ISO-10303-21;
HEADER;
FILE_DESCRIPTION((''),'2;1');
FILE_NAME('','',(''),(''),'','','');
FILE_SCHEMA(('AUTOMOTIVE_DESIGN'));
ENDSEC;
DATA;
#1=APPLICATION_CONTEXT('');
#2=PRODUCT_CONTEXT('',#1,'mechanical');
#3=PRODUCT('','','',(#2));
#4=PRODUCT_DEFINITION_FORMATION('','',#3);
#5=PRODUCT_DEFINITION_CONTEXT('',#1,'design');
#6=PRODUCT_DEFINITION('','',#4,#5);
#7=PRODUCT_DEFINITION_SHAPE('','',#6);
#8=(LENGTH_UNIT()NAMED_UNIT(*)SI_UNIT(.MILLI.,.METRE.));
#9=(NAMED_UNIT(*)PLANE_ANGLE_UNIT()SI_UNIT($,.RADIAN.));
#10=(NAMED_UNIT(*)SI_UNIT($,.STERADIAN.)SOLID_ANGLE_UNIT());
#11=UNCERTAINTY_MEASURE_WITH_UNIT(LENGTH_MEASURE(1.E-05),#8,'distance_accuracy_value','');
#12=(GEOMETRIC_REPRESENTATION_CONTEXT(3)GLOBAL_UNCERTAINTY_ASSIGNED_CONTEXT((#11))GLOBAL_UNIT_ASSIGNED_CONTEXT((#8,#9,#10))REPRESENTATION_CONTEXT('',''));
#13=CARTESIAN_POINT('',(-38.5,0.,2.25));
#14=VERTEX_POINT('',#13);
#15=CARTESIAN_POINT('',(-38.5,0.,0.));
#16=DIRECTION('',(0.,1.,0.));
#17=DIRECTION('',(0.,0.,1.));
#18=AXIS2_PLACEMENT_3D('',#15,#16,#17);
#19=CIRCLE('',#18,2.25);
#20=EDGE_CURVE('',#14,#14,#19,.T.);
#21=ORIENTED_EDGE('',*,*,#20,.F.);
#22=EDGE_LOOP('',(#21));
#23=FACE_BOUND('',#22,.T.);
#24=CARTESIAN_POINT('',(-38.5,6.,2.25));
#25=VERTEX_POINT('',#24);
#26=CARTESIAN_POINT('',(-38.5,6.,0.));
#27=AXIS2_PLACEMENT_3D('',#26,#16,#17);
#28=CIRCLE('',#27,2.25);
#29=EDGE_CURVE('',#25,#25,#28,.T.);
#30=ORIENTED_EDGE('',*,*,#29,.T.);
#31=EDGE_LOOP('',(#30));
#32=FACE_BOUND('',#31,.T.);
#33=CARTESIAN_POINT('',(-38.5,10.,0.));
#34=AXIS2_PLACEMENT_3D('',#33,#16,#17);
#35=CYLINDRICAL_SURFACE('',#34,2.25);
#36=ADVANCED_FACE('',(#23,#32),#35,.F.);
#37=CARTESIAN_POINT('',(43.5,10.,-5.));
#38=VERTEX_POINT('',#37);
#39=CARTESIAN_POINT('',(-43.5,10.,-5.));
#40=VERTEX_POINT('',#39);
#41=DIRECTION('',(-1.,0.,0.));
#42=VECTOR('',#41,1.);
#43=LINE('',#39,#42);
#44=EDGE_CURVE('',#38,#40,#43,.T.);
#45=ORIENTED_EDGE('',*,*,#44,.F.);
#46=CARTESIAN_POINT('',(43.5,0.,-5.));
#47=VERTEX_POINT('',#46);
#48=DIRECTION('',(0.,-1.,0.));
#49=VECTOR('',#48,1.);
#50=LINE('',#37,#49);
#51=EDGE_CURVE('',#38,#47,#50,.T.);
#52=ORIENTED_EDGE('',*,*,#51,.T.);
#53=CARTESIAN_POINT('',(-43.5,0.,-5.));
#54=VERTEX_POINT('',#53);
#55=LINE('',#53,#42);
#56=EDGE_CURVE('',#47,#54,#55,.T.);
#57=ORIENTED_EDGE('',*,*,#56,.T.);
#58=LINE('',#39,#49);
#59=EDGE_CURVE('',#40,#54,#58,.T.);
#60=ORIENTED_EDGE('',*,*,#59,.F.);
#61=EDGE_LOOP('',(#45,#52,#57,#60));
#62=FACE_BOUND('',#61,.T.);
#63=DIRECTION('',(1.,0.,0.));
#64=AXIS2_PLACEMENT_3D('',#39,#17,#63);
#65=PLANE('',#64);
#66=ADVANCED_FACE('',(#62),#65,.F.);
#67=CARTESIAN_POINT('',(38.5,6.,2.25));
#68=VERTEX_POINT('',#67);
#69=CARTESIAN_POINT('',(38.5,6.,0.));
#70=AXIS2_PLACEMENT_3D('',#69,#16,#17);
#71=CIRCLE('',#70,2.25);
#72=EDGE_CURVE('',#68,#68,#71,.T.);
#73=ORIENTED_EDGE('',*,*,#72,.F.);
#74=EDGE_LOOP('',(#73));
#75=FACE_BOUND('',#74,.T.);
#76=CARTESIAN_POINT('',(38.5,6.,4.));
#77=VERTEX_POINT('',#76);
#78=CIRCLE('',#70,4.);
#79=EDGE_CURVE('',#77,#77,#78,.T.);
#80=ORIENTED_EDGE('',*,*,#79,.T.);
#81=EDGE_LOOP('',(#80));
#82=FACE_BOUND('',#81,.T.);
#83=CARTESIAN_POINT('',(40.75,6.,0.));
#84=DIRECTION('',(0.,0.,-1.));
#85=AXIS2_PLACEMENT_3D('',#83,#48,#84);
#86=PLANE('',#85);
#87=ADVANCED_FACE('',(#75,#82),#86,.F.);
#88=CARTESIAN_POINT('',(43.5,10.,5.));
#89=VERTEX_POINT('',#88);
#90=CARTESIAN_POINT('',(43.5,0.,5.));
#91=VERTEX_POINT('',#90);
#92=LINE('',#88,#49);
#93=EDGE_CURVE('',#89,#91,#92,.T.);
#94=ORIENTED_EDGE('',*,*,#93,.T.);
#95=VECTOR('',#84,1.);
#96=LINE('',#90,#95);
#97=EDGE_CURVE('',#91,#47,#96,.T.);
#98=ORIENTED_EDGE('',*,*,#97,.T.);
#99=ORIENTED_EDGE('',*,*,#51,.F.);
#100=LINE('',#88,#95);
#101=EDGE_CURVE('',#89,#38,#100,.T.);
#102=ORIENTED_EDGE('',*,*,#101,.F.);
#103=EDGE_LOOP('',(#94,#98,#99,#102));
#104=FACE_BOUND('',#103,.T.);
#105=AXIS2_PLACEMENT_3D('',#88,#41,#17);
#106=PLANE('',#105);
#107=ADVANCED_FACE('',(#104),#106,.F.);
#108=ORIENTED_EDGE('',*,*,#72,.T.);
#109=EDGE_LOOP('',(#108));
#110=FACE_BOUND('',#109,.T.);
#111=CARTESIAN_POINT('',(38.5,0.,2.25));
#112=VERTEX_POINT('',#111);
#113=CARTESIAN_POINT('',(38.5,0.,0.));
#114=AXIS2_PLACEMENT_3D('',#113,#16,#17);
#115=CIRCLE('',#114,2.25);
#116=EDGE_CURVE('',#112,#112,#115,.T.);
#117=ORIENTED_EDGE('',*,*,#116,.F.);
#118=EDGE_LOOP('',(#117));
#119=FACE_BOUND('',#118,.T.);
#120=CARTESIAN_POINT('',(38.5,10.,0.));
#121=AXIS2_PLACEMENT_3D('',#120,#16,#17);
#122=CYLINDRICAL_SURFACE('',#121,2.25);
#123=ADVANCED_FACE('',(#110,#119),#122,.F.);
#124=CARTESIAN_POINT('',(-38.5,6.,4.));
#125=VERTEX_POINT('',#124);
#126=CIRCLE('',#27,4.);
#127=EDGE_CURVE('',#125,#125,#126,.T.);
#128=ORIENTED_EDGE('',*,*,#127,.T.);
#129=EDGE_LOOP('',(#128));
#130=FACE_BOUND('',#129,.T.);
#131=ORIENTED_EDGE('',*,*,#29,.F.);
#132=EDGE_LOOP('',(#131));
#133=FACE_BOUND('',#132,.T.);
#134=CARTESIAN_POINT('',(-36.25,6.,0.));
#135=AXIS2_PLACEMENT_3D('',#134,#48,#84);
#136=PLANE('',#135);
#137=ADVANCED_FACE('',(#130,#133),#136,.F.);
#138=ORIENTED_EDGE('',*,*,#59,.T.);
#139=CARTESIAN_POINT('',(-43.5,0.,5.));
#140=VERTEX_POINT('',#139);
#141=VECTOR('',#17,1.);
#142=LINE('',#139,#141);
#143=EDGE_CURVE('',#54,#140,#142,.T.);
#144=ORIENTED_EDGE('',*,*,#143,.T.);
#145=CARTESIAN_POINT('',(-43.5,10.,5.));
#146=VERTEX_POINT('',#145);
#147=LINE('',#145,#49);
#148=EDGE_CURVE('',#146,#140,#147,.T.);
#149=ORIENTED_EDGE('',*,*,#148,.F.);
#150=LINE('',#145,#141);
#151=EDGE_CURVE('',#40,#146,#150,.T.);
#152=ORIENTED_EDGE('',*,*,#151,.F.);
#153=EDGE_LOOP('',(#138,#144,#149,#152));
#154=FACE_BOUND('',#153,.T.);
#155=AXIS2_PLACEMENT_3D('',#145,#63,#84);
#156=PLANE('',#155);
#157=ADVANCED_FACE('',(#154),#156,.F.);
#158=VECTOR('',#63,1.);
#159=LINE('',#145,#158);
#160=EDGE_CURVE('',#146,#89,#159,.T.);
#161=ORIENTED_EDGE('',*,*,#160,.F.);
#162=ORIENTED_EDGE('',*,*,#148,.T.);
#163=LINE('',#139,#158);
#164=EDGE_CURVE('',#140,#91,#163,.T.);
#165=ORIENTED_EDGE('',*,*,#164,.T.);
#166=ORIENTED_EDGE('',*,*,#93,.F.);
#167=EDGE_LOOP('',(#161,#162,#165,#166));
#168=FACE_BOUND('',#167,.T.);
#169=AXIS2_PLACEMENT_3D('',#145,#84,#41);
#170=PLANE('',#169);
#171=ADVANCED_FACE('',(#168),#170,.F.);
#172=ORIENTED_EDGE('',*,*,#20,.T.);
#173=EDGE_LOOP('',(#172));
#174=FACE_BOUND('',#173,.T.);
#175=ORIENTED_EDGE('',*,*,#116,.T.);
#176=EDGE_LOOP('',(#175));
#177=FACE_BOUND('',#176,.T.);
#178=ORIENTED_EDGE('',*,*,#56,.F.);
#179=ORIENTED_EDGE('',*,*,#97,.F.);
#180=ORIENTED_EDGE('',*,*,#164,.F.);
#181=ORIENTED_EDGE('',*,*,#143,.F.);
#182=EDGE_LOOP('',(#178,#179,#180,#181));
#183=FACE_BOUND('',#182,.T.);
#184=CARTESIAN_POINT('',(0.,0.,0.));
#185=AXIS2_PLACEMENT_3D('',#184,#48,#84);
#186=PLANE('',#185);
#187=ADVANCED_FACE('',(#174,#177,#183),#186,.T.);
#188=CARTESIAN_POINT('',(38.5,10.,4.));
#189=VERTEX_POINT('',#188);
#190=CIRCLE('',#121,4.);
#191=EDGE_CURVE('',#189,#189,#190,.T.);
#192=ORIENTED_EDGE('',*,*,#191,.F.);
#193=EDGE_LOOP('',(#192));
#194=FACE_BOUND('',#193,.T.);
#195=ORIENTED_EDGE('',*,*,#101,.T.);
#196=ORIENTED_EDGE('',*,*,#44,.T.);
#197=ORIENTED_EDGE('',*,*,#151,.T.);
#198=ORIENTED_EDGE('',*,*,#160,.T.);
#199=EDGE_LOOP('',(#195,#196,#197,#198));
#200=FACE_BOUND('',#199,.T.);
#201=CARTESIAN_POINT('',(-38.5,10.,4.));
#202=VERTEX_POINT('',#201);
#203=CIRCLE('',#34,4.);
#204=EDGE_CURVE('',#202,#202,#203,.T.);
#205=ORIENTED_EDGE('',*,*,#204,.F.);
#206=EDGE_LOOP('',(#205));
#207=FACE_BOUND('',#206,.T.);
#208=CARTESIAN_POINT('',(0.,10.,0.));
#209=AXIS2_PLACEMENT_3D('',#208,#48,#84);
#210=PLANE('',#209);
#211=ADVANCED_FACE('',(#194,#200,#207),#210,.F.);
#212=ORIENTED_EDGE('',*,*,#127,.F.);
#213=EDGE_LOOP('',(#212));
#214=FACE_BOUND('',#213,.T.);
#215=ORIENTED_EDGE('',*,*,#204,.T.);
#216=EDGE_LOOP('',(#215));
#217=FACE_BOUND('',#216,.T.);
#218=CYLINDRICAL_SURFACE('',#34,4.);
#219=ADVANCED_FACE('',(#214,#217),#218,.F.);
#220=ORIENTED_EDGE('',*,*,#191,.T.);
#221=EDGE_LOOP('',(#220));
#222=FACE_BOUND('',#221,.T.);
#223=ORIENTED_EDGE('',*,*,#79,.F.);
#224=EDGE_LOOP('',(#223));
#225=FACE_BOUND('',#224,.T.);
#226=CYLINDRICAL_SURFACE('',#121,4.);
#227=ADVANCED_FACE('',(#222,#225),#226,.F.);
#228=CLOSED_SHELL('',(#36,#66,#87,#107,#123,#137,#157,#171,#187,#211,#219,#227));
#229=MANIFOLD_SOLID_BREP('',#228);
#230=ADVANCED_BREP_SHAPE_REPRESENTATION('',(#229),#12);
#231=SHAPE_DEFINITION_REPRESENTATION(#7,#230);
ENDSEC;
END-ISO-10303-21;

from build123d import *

# Parameters (mm, degrees)
SKETCH1_W                      = 87
SKETCH1_H                      = 10
BOSS_EXTRUDE1_DEPTH            = 10
CBORE_FOR_M4_SHCS2_D           = 4.5
CBORE_FOR_M4_SHCS2_CBORE_D     = 8
CBORE_FOR_M4_SHCS2_CBORE_DEPTH = 4


with BuildPart() as part:
    # Sketch1 → Boss-Extrude1 (new body)
    with BuildSketch(Plane(origin=(0, 0, 0), x_dir=(1, 0, 0), z_dir=(0, 1, 0))):
        Rectangle(SKETCH1_W, SKETCH1_H)
    extrude(amount=BOSS_EXTRUDE1_DEPTH)

    # CBORE for M4 SHCS2 (through all)
    with Locations(Plane(origin=(0, 10, 0), x_dir=(1, 0, 0), z_dir=(0, 1, 0))):
        with Locations((-38.5, 0)):
            cbore_for_m4_shcs2 = CounterBoreHole(CBORE_FOR_M4_SHCS2_D / 2, CBORE_FOR_M4_SHCS2_CBORE_D / 2, CBORE_FOR_M4_SHCS2_CBORE_DEPTH)

    # Mirror3: CBORE for M4 SHCS2 across plane
    add(cbore_for_m4_shcs2.mirror(Plane(origin=(0, 0, 0), x_dir=(0, 0, 1), z_dir=(1, 0, 0))), mode=Mode.SUBTRACT)


solid = part.part
